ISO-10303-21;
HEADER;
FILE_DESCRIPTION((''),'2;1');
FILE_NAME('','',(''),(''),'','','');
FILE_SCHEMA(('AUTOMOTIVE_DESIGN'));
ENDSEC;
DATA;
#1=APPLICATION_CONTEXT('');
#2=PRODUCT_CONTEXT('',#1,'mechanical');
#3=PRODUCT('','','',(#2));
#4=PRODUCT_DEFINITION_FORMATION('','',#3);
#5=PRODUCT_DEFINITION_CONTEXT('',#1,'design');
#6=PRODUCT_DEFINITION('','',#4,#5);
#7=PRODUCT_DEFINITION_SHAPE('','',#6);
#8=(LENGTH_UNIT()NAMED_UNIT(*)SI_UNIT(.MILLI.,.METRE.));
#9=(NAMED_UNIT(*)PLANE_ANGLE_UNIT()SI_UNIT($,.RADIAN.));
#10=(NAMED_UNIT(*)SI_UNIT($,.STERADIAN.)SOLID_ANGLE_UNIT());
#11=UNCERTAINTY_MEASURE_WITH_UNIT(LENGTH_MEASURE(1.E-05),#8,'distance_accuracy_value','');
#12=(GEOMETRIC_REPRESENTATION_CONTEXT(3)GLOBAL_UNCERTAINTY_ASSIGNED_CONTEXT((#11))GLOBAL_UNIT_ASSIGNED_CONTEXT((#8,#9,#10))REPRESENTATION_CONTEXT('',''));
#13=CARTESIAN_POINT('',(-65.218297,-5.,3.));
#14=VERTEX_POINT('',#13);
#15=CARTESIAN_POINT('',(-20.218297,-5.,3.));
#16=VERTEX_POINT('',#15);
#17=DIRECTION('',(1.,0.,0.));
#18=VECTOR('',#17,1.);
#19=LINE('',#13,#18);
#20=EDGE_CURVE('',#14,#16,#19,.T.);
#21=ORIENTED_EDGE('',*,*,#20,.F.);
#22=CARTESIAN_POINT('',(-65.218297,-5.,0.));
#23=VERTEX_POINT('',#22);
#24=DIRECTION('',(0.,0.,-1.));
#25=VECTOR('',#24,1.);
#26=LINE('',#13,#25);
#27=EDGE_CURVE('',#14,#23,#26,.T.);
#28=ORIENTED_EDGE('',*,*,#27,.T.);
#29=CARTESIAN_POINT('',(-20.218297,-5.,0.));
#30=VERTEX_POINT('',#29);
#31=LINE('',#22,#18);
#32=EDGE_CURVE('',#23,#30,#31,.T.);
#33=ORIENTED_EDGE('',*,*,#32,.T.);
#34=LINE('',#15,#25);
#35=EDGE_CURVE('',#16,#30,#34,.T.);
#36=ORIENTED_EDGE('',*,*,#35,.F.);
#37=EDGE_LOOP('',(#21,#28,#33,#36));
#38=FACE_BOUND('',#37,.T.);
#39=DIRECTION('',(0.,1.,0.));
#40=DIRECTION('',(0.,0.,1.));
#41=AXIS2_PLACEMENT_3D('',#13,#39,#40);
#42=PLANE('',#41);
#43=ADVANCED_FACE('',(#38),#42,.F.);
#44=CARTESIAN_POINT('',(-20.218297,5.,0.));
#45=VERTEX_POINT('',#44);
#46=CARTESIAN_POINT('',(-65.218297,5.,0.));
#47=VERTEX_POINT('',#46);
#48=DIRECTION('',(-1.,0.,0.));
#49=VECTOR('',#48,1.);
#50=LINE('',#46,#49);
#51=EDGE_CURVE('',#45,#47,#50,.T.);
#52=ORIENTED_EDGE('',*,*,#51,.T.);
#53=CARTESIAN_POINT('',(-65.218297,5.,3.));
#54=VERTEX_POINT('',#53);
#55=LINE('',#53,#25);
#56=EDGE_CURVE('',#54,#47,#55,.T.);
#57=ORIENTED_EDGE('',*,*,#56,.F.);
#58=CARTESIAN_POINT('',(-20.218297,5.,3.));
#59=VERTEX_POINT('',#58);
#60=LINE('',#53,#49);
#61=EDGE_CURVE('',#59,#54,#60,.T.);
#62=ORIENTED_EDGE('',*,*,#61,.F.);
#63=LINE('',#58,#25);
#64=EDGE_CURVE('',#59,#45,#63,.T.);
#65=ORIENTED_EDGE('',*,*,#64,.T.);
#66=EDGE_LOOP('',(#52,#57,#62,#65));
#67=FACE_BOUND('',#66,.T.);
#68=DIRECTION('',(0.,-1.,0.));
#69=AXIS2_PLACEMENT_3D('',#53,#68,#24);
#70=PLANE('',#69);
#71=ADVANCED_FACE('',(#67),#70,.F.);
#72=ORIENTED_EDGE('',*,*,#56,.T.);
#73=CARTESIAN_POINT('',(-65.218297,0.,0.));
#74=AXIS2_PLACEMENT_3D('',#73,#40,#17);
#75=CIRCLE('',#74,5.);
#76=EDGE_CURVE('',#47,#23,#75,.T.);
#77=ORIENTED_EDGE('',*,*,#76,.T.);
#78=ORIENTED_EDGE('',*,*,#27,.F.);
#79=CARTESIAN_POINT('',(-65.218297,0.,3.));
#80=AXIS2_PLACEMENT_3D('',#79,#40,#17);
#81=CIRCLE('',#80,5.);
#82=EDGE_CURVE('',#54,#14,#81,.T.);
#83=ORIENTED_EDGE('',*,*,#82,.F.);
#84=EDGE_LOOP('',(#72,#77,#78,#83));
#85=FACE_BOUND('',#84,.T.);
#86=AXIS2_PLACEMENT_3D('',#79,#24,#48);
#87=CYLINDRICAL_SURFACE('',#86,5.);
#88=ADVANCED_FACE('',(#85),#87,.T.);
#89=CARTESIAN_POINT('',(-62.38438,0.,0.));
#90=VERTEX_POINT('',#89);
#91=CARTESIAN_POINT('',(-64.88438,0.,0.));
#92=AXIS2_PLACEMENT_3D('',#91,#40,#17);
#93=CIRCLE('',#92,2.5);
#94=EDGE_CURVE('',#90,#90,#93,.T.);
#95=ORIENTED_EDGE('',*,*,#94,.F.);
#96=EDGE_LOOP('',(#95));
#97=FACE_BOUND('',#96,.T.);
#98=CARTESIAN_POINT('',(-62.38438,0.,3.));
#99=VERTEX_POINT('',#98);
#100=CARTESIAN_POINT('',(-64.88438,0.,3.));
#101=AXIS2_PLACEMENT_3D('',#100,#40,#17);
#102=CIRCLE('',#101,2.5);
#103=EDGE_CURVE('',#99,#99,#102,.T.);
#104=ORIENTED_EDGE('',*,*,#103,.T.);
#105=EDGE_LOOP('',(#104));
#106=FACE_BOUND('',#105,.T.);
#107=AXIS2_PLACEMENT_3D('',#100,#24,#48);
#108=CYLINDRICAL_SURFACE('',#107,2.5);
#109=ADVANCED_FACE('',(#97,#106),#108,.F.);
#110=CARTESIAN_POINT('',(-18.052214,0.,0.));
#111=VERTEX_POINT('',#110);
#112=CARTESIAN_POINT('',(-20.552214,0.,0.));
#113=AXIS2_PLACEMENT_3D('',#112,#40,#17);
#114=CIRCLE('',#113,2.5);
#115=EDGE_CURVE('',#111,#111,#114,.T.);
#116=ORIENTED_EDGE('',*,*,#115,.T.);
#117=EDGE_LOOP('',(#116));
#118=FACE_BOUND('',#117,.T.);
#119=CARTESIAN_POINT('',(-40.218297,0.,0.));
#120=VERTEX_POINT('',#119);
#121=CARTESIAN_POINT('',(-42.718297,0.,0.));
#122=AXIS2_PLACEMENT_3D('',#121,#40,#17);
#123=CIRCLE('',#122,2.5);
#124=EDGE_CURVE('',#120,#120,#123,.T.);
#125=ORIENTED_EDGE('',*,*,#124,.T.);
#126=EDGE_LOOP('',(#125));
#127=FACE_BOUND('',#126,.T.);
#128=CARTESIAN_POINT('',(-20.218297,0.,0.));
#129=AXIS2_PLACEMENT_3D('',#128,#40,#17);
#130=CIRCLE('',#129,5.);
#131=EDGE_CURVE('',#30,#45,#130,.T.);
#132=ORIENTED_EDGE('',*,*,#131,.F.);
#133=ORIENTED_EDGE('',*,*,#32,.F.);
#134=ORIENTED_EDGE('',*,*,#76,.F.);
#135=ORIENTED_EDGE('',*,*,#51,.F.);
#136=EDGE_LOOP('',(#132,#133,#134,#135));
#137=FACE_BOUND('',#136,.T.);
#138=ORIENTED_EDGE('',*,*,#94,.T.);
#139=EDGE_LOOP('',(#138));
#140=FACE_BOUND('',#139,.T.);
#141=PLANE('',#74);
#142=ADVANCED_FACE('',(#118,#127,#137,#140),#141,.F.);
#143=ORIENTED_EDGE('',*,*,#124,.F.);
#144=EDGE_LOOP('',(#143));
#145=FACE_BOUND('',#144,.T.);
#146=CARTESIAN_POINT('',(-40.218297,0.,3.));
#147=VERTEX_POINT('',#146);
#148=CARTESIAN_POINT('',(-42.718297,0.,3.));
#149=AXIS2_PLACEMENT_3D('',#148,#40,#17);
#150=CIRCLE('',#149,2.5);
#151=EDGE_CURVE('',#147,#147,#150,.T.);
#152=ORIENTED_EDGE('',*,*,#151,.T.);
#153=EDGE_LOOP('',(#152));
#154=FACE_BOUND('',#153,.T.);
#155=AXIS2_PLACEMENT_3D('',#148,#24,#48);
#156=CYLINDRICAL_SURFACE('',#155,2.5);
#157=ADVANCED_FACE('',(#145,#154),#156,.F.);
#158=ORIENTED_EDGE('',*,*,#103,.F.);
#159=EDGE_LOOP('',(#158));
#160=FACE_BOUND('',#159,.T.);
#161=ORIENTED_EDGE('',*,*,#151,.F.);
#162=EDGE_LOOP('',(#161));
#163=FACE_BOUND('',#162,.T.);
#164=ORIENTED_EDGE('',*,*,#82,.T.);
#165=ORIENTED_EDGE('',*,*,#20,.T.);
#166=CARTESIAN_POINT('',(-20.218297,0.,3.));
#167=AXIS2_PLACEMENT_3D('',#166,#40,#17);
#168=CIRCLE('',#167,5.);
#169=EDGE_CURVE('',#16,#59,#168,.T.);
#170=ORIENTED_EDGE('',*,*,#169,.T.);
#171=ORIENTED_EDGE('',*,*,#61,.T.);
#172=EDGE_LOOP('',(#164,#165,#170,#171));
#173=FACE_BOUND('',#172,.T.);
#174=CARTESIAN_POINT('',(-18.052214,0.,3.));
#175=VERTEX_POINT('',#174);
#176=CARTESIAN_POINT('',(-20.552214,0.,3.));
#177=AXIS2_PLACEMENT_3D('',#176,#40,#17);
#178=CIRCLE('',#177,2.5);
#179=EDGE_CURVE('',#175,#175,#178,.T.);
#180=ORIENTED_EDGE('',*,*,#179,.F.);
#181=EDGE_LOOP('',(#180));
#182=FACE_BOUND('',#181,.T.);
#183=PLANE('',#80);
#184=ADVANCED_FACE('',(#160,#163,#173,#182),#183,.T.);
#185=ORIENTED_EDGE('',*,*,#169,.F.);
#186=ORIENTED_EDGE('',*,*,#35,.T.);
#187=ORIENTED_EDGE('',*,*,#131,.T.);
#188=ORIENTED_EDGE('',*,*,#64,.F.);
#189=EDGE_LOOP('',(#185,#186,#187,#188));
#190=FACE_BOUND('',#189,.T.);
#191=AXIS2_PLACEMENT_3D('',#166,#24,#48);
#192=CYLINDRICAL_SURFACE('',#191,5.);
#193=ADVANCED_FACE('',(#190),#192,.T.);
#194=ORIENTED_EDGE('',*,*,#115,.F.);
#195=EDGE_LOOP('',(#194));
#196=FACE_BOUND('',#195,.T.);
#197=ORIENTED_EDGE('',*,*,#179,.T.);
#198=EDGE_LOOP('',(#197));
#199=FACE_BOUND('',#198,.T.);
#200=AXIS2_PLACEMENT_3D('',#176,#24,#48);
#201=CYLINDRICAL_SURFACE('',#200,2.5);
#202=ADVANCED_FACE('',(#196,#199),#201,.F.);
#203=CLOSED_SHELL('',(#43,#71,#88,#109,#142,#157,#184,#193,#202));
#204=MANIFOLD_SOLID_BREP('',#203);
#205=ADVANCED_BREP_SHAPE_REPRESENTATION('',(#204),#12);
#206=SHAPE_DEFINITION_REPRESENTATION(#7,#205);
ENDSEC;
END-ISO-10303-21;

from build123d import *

# Parameters (mm, degrees)
ESBO_O1_R                = 2.5
RESSALTO_EXTRUS_O1_DEPTH = 3


with BuildPart() as part:
    # Esboço1 → Ressalto-extrusão1 (new body)
    with BuildSketch(Plane.XY):
        with BuildLine():
            Line((-65.218297244, 5), (-20.218297244, 5))
            ThreePointArc((-20.218297244, 5), (-15.218297244, 0), (-20.218297244, -5))
            Line((-20.218297244, -5), (-65.218297244, -5))
            ThreePointArc((-65.218297244, -5), (-70.218297244, 0), (-65.218297244, 5))
        make_face()
        with Locations((-64.884380005, 0)):
            Circle(ESBO_O1_R, mode=Mode.SUBTRACT)
        with Locations((-42.718297244, 0)):
            Circle(ESBO_O1_R, mode=Mode.SUBTRACT)
        with Locations((-20.552214482, 0)):
            Circle(ESBO_O1_R, mode=Mode.SUBTRACT)
    extrude(amount=RESSALTO_EXTRUS_O1_DEPTH)


solid = part.part
